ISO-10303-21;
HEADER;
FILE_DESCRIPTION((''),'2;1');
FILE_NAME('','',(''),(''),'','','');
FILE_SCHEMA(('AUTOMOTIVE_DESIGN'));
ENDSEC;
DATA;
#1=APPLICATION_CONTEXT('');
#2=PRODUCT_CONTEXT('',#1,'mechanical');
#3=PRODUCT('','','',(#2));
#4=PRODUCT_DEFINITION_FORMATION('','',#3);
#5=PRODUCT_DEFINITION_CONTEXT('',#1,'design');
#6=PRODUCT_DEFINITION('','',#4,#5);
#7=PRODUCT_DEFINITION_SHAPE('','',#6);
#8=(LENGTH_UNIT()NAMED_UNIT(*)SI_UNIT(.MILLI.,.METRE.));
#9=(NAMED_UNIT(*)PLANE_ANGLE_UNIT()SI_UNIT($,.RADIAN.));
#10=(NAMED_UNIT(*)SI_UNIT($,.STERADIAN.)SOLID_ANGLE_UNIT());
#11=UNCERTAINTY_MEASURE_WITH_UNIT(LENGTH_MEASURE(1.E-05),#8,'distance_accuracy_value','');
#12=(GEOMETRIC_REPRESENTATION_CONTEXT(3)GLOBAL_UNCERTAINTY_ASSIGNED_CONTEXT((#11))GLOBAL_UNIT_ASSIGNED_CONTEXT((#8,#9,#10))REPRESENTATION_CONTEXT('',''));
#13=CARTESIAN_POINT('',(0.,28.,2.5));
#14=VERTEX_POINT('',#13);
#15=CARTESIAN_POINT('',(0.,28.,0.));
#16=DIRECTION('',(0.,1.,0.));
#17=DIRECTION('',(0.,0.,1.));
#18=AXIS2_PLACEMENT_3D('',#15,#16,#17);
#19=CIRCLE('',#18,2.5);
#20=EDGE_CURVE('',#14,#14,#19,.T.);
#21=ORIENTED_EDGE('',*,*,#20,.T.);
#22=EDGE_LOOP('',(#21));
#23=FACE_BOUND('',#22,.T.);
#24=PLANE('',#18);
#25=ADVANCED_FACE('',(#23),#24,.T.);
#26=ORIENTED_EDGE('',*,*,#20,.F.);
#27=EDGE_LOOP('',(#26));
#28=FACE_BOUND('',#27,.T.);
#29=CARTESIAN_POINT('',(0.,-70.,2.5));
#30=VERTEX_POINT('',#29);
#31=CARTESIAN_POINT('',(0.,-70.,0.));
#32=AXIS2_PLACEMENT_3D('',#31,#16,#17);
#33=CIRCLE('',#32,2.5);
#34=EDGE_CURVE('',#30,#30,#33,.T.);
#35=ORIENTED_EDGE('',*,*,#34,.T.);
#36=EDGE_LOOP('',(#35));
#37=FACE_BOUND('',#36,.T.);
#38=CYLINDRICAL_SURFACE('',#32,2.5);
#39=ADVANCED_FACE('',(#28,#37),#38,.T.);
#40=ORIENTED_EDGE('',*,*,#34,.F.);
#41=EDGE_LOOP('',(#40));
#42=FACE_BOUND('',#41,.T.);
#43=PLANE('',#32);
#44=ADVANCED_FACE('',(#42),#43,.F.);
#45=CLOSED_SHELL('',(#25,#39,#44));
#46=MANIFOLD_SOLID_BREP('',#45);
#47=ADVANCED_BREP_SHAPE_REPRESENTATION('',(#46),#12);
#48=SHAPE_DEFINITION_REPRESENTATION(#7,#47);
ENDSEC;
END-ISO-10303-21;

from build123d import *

# Parameters (mm, degrees)
SKETCH1_R                = 2.5
BOSS_EXTRUDE1_DEPTH      = 28
BOSS_EXTRUDE1_DEPTH_BACK = 70


with BuildPart() as part:
    # Sketch1 → Boss-Extrude1 (new body, two sides)
    with BuildSketch(Plane(origin=(0, 0, 0), x_dir=(1, 0, 0), z_dir=(0, 1, 0))) as boss_extrude1_sk:
        Circle(SKETCH1_R)
    extrude(amount=BOSS_EXTRUDE1_DEPTH)
    extrude(boss_extrude1_sk.sketch, amount=-BOSS_EXTRUDE1_DEPTH_BACK)


solid = part.part
